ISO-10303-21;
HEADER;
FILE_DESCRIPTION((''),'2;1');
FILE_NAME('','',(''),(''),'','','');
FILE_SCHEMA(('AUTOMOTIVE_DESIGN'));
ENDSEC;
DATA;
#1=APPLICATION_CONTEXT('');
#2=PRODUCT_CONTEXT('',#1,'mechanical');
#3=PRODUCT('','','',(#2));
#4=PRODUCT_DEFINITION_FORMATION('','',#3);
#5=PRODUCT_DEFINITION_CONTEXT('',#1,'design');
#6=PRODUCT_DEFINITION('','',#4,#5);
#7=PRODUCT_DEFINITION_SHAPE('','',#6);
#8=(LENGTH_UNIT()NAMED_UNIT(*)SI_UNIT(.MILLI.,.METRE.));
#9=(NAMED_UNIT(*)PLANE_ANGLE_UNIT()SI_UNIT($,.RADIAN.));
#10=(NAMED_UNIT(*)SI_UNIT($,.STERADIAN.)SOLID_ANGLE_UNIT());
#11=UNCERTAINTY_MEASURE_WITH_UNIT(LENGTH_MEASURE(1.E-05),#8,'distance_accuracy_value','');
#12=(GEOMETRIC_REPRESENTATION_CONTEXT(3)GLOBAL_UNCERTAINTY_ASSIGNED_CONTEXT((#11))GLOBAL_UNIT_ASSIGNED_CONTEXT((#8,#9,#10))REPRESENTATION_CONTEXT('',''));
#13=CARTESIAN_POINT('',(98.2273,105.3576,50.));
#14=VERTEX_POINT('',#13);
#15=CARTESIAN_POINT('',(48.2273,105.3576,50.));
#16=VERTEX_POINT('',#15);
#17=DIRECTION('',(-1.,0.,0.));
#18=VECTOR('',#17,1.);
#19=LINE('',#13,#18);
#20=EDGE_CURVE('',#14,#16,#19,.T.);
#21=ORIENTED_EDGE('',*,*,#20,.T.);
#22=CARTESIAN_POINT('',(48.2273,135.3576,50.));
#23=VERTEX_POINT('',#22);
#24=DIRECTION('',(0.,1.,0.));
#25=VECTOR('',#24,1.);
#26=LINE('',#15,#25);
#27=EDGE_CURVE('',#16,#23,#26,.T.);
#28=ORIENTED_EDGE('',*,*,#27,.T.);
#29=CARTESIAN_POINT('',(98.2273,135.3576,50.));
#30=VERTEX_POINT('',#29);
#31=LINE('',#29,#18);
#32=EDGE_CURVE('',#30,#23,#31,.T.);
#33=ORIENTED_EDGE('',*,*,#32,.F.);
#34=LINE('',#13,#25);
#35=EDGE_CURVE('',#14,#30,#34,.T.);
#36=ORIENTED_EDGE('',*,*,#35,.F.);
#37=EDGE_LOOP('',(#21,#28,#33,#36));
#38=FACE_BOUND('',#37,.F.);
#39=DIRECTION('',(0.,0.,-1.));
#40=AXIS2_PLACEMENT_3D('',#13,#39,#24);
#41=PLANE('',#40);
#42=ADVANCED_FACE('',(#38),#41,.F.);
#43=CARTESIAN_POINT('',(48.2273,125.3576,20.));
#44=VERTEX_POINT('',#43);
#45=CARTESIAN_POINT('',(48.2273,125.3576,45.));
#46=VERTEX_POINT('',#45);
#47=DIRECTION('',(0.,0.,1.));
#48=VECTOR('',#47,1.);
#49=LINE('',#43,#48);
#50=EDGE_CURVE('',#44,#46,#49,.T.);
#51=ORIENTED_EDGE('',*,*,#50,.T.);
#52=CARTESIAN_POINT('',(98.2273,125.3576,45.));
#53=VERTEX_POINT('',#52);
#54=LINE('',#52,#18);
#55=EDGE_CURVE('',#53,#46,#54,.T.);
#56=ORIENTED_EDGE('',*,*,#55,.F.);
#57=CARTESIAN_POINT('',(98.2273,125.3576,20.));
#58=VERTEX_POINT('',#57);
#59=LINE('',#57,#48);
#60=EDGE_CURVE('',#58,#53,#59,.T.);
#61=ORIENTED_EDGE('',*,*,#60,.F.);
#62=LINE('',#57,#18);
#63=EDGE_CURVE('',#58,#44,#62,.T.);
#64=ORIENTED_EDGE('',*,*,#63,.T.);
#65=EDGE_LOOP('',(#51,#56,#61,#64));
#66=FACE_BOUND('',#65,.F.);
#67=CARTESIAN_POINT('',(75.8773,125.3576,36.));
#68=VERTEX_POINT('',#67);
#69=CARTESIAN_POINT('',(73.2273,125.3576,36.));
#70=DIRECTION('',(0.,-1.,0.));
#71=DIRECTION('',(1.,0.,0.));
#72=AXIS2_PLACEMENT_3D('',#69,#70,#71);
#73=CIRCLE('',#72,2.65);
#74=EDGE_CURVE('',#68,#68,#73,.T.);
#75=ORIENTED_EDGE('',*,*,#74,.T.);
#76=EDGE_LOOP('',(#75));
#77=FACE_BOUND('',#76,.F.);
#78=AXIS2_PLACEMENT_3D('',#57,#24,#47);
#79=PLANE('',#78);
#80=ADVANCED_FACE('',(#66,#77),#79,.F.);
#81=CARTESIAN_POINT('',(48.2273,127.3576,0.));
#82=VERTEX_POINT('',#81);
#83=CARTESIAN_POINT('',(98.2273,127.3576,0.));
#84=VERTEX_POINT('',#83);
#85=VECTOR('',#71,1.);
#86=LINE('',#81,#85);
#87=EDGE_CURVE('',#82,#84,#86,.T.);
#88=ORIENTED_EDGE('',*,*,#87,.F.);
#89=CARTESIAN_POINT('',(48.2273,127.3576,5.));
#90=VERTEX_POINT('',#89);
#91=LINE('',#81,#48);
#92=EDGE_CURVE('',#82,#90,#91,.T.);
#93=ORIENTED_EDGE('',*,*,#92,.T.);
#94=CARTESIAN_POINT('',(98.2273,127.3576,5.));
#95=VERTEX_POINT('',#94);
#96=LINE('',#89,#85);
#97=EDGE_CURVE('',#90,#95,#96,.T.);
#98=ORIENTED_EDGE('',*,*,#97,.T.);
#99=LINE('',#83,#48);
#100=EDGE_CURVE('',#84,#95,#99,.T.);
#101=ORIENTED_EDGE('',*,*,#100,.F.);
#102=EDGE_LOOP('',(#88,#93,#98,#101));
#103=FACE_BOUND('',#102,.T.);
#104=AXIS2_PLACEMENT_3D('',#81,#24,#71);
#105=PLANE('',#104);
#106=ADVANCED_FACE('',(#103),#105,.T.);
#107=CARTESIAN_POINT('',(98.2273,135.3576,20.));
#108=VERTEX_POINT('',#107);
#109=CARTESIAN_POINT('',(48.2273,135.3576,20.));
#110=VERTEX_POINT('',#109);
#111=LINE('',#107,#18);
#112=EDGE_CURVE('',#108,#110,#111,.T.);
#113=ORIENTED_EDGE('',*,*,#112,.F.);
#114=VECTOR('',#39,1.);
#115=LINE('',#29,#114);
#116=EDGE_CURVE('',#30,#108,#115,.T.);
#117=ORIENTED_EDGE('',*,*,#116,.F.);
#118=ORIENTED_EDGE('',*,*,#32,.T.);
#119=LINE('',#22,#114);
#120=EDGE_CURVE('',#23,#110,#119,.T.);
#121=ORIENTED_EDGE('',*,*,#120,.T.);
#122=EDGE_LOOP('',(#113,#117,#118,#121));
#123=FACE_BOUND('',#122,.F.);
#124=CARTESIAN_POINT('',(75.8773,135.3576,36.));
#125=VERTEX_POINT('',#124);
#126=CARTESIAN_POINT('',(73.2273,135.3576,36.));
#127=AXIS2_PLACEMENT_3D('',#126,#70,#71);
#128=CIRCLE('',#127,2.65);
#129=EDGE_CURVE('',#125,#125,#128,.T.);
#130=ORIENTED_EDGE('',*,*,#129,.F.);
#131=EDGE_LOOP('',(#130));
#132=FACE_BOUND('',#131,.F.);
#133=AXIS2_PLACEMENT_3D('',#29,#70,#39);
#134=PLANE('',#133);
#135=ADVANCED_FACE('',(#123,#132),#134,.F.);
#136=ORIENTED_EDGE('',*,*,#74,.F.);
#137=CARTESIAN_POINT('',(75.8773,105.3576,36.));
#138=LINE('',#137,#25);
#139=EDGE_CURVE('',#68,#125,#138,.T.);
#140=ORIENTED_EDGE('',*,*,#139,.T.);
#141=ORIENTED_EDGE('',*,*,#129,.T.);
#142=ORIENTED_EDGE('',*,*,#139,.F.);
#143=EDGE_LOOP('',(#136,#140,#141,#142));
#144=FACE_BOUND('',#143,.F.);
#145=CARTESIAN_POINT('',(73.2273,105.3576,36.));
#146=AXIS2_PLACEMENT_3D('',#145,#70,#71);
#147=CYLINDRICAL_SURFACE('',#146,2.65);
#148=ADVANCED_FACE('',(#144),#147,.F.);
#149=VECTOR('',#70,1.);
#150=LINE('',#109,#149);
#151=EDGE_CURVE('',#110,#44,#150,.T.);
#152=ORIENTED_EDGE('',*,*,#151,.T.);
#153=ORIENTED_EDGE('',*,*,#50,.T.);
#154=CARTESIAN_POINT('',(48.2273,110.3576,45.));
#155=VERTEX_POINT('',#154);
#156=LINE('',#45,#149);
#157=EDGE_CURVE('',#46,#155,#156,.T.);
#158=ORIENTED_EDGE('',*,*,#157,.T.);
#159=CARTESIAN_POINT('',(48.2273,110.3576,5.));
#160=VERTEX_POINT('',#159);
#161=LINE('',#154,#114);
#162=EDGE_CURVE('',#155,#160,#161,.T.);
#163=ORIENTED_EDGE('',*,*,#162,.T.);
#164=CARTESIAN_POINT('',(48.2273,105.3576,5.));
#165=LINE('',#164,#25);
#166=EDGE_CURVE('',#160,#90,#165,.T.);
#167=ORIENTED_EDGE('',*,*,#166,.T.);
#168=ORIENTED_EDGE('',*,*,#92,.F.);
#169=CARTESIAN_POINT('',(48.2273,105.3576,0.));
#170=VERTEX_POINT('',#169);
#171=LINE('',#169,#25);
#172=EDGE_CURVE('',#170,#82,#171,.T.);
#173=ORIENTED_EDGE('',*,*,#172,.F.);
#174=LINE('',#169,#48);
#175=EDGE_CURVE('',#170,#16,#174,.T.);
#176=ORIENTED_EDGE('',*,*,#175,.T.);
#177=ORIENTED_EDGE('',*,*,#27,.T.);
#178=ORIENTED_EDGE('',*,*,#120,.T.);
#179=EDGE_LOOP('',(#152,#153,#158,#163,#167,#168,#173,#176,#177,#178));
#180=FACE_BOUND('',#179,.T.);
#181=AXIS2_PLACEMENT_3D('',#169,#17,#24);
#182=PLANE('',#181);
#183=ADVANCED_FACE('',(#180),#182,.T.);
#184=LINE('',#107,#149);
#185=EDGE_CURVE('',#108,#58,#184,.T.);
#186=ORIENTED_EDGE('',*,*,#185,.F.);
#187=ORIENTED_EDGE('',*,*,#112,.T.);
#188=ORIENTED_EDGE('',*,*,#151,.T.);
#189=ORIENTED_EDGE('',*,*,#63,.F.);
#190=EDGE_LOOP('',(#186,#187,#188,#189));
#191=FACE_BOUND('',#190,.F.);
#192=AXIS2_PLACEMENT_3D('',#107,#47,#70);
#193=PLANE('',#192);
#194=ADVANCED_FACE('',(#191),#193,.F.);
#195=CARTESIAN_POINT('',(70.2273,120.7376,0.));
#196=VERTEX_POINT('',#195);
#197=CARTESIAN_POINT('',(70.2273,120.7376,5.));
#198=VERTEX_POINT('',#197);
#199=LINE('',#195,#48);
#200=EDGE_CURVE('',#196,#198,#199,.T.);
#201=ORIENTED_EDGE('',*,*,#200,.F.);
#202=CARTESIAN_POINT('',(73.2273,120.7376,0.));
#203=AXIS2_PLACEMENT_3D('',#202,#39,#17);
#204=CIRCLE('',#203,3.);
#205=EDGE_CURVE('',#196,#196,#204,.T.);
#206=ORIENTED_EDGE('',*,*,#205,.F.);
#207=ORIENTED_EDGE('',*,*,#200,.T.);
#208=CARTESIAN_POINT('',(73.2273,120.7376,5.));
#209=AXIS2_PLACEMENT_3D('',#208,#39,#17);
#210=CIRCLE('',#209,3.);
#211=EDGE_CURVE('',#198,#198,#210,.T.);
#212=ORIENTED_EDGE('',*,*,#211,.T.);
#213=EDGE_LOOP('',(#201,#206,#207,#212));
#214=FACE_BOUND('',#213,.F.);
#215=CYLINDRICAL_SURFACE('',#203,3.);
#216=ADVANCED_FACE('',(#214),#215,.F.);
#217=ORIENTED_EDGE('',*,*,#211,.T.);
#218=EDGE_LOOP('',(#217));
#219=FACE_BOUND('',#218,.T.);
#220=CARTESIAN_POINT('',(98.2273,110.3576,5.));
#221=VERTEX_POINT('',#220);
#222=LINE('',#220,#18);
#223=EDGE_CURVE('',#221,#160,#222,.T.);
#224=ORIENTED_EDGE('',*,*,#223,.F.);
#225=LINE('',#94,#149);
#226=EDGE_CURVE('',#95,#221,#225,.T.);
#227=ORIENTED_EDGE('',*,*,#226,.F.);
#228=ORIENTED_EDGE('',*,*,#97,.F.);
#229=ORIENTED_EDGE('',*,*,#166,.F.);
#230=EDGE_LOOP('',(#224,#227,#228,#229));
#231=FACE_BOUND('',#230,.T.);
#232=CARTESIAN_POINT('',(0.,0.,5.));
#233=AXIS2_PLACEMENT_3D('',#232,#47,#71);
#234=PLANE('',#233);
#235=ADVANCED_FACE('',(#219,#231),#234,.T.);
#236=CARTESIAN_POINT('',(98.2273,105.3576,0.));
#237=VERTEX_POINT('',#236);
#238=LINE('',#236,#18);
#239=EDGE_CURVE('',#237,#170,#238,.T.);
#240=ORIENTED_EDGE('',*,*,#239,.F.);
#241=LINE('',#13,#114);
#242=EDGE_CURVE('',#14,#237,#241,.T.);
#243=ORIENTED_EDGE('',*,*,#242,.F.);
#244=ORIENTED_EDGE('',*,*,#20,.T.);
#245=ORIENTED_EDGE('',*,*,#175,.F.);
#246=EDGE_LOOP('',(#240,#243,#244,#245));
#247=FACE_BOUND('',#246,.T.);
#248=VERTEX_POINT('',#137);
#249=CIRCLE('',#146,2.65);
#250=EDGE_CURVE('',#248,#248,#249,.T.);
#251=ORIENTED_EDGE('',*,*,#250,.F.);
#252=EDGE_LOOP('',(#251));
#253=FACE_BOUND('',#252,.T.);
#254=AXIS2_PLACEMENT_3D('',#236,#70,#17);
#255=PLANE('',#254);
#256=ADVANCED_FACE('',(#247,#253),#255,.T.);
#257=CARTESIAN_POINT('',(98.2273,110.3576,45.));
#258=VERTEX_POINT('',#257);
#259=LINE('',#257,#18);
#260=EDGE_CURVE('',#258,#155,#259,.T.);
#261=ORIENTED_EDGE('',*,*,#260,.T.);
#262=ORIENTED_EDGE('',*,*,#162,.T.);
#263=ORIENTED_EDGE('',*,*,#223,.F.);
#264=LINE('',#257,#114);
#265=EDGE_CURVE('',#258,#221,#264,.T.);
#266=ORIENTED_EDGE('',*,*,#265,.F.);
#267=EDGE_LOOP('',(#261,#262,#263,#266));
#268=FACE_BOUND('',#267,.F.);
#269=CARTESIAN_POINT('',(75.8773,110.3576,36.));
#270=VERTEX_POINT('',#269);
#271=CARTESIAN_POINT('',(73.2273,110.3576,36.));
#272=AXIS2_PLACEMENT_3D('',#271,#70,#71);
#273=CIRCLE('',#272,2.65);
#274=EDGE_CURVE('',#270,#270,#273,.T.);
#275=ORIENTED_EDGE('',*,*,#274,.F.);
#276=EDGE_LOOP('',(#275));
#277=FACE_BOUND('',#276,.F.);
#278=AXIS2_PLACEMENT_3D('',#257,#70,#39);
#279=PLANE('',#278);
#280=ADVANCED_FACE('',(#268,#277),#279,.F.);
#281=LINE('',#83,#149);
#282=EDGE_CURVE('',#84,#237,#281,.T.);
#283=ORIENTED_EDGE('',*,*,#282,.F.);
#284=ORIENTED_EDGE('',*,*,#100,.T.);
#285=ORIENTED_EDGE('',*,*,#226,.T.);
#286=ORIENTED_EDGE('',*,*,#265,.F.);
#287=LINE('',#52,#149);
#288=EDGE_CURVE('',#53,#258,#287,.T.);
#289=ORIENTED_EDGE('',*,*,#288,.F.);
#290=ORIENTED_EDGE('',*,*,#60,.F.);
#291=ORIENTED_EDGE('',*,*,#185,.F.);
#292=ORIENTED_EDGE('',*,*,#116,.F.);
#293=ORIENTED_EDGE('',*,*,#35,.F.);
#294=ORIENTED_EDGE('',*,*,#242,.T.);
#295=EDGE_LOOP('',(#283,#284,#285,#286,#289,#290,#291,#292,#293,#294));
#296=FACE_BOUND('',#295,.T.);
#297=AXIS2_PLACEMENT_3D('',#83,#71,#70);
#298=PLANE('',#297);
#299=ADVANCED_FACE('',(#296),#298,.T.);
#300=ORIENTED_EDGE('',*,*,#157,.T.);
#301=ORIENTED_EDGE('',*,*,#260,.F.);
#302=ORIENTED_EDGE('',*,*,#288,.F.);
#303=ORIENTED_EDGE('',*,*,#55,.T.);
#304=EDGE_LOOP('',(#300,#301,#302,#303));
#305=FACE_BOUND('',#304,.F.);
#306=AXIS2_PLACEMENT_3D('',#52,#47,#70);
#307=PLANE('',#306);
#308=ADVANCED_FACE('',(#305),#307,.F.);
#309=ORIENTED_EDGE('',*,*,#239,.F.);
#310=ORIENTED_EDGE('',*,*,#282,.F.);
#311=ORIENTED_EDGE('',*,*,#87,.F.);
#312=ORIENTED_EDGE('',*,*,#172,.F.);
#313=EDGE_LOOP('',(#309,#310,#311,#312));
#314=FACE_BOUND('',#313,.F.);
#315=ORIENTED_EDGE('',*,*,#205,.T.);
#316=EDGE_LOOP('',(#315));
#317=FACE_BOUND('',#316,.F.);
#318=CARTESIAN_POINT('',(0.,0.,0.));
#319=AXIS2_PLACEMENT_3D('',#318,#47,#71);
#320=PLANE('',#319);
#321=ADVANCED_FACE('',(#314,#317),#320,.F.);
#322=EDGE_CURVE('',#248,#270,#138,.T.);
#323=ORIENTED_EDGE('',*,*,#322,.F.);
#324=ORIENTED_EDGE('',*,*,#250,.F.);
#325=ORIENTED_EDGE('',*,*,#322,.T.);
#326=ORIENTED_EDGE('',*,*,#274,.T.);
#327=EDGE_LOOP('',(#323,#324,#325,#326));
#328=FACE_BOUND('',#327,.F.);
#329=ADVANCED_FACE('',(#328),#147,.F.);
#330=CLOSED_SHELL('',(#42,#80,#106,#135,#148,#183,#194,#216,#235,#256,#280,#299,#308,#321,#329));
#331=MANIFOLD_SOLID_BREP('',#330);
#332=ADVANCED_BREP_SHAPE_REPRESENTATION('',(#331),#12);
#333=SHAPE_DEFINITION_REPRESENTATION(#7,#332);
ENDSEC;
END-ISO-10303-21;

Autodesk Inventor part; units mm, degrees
ref_plane "YZ Plane" through (0, 0, 0) normal (1, 0, 0) x (0, 1, 0)
ref_plane "XZ Plane" through (0, 0, 0) normal (0, 1, 0) x (-1, 0, 0)
ref_plane "XY Plane" through (0, 0, 0) normal (0, 0, 1) x (1, 0, 0)
sketch "Sketch1" plane through (0, 0, 0) normal (0, 0, 1) x (1, 0, 0)
  line L0 (48.2273, 127.3576) -> (98.2273, 127.3576)
  line L1 (98.2273, 127.3576) -> (98.2273, 105.3576)
  line L2 (98.2273, 105.3576) -> (48.2273, 105.3576)
  line L3 (48.2273, 105.3576) -> (48.2273, 127.3576)
  point P0 (0, 0)
  dimension "d8" = 50
  dimension "d9" = 22
extrude "Extrusion1" add sketch "Sketch1" along normal blind 5
sketch "Sketch2" plane through (98.2273, 105.3576, 0) normal (1, 0, 0) x (0, 0, -1)
  line L0 (-5, 0) -> (-50, 0)
  line L1 (-50, 0) -> (-50, 30)
  line L2 (-50, 30) -> (-20, 30)
  line L3 (-20, 30) -> (-20, 20)
  line L4 (-20, 20) -> (-45, 20)
  line L5 (-45, 20) -> (-45, 5)
  line L6 (-45, 5) -> (-5, 5)
  line L7 (-5, 0) -> (-5, 22) projected
  line L8 (-5, 5) -> (-5, 0)
  point P0 (0, -105.3576)
  dimension "d12" = 45
  dimension "d13" = 30
  dimension "d14" = 30
  dimension "d15" = 10
  dimension "d16" = 25
  dimension "d17" = 15
  dimension "d18" = 40
  dimension "d19" = 5
extrude "Extrusion2" add sketch "Sketch2" against normal blind 50
sketch "Sketch4" plane through (48.2273, 105.3576, 0) normal (0, -1, 0) x (1, 0, 0)
  line L0 (50, 50) -> (0, 50) projected
  circle A0 centre (25, 36) radius 2.65
  point P0 (-48.2273, 0)
  dimension "d24" = 5.3
extrude "Extrusion3" cut sketch "Sketch4" against normal blind 50
thread "Thread1" size "M5.5x0.5" class "6H" standard "ANSI Metric M Profile" length 43.6
thread "Thread2" size "M5.5x0.5" class "6H" standard "ANSI Metric M Profile" length 43.6
sketch "Sketch5" plane through (0, 0, 0) normal (0, 0, -1) x (-1, 0, 0)
  line L0 (-98.2273, 127.3576) -> (-48.2273, 127.3576) projected
  circle A0 centre (-73.2273, 120.7376) radius 3
  point P0 (0, 0)
  dimension "d32" = 6
extrude "Extrusion4" cut sketch "Sketch5" against normal blind 20
thread "Thread3" size "M6x1" class "6H" standard "ANSI Metric M Profile" length 43.6
properties part number "Chasis Depan Roda Kiri"
